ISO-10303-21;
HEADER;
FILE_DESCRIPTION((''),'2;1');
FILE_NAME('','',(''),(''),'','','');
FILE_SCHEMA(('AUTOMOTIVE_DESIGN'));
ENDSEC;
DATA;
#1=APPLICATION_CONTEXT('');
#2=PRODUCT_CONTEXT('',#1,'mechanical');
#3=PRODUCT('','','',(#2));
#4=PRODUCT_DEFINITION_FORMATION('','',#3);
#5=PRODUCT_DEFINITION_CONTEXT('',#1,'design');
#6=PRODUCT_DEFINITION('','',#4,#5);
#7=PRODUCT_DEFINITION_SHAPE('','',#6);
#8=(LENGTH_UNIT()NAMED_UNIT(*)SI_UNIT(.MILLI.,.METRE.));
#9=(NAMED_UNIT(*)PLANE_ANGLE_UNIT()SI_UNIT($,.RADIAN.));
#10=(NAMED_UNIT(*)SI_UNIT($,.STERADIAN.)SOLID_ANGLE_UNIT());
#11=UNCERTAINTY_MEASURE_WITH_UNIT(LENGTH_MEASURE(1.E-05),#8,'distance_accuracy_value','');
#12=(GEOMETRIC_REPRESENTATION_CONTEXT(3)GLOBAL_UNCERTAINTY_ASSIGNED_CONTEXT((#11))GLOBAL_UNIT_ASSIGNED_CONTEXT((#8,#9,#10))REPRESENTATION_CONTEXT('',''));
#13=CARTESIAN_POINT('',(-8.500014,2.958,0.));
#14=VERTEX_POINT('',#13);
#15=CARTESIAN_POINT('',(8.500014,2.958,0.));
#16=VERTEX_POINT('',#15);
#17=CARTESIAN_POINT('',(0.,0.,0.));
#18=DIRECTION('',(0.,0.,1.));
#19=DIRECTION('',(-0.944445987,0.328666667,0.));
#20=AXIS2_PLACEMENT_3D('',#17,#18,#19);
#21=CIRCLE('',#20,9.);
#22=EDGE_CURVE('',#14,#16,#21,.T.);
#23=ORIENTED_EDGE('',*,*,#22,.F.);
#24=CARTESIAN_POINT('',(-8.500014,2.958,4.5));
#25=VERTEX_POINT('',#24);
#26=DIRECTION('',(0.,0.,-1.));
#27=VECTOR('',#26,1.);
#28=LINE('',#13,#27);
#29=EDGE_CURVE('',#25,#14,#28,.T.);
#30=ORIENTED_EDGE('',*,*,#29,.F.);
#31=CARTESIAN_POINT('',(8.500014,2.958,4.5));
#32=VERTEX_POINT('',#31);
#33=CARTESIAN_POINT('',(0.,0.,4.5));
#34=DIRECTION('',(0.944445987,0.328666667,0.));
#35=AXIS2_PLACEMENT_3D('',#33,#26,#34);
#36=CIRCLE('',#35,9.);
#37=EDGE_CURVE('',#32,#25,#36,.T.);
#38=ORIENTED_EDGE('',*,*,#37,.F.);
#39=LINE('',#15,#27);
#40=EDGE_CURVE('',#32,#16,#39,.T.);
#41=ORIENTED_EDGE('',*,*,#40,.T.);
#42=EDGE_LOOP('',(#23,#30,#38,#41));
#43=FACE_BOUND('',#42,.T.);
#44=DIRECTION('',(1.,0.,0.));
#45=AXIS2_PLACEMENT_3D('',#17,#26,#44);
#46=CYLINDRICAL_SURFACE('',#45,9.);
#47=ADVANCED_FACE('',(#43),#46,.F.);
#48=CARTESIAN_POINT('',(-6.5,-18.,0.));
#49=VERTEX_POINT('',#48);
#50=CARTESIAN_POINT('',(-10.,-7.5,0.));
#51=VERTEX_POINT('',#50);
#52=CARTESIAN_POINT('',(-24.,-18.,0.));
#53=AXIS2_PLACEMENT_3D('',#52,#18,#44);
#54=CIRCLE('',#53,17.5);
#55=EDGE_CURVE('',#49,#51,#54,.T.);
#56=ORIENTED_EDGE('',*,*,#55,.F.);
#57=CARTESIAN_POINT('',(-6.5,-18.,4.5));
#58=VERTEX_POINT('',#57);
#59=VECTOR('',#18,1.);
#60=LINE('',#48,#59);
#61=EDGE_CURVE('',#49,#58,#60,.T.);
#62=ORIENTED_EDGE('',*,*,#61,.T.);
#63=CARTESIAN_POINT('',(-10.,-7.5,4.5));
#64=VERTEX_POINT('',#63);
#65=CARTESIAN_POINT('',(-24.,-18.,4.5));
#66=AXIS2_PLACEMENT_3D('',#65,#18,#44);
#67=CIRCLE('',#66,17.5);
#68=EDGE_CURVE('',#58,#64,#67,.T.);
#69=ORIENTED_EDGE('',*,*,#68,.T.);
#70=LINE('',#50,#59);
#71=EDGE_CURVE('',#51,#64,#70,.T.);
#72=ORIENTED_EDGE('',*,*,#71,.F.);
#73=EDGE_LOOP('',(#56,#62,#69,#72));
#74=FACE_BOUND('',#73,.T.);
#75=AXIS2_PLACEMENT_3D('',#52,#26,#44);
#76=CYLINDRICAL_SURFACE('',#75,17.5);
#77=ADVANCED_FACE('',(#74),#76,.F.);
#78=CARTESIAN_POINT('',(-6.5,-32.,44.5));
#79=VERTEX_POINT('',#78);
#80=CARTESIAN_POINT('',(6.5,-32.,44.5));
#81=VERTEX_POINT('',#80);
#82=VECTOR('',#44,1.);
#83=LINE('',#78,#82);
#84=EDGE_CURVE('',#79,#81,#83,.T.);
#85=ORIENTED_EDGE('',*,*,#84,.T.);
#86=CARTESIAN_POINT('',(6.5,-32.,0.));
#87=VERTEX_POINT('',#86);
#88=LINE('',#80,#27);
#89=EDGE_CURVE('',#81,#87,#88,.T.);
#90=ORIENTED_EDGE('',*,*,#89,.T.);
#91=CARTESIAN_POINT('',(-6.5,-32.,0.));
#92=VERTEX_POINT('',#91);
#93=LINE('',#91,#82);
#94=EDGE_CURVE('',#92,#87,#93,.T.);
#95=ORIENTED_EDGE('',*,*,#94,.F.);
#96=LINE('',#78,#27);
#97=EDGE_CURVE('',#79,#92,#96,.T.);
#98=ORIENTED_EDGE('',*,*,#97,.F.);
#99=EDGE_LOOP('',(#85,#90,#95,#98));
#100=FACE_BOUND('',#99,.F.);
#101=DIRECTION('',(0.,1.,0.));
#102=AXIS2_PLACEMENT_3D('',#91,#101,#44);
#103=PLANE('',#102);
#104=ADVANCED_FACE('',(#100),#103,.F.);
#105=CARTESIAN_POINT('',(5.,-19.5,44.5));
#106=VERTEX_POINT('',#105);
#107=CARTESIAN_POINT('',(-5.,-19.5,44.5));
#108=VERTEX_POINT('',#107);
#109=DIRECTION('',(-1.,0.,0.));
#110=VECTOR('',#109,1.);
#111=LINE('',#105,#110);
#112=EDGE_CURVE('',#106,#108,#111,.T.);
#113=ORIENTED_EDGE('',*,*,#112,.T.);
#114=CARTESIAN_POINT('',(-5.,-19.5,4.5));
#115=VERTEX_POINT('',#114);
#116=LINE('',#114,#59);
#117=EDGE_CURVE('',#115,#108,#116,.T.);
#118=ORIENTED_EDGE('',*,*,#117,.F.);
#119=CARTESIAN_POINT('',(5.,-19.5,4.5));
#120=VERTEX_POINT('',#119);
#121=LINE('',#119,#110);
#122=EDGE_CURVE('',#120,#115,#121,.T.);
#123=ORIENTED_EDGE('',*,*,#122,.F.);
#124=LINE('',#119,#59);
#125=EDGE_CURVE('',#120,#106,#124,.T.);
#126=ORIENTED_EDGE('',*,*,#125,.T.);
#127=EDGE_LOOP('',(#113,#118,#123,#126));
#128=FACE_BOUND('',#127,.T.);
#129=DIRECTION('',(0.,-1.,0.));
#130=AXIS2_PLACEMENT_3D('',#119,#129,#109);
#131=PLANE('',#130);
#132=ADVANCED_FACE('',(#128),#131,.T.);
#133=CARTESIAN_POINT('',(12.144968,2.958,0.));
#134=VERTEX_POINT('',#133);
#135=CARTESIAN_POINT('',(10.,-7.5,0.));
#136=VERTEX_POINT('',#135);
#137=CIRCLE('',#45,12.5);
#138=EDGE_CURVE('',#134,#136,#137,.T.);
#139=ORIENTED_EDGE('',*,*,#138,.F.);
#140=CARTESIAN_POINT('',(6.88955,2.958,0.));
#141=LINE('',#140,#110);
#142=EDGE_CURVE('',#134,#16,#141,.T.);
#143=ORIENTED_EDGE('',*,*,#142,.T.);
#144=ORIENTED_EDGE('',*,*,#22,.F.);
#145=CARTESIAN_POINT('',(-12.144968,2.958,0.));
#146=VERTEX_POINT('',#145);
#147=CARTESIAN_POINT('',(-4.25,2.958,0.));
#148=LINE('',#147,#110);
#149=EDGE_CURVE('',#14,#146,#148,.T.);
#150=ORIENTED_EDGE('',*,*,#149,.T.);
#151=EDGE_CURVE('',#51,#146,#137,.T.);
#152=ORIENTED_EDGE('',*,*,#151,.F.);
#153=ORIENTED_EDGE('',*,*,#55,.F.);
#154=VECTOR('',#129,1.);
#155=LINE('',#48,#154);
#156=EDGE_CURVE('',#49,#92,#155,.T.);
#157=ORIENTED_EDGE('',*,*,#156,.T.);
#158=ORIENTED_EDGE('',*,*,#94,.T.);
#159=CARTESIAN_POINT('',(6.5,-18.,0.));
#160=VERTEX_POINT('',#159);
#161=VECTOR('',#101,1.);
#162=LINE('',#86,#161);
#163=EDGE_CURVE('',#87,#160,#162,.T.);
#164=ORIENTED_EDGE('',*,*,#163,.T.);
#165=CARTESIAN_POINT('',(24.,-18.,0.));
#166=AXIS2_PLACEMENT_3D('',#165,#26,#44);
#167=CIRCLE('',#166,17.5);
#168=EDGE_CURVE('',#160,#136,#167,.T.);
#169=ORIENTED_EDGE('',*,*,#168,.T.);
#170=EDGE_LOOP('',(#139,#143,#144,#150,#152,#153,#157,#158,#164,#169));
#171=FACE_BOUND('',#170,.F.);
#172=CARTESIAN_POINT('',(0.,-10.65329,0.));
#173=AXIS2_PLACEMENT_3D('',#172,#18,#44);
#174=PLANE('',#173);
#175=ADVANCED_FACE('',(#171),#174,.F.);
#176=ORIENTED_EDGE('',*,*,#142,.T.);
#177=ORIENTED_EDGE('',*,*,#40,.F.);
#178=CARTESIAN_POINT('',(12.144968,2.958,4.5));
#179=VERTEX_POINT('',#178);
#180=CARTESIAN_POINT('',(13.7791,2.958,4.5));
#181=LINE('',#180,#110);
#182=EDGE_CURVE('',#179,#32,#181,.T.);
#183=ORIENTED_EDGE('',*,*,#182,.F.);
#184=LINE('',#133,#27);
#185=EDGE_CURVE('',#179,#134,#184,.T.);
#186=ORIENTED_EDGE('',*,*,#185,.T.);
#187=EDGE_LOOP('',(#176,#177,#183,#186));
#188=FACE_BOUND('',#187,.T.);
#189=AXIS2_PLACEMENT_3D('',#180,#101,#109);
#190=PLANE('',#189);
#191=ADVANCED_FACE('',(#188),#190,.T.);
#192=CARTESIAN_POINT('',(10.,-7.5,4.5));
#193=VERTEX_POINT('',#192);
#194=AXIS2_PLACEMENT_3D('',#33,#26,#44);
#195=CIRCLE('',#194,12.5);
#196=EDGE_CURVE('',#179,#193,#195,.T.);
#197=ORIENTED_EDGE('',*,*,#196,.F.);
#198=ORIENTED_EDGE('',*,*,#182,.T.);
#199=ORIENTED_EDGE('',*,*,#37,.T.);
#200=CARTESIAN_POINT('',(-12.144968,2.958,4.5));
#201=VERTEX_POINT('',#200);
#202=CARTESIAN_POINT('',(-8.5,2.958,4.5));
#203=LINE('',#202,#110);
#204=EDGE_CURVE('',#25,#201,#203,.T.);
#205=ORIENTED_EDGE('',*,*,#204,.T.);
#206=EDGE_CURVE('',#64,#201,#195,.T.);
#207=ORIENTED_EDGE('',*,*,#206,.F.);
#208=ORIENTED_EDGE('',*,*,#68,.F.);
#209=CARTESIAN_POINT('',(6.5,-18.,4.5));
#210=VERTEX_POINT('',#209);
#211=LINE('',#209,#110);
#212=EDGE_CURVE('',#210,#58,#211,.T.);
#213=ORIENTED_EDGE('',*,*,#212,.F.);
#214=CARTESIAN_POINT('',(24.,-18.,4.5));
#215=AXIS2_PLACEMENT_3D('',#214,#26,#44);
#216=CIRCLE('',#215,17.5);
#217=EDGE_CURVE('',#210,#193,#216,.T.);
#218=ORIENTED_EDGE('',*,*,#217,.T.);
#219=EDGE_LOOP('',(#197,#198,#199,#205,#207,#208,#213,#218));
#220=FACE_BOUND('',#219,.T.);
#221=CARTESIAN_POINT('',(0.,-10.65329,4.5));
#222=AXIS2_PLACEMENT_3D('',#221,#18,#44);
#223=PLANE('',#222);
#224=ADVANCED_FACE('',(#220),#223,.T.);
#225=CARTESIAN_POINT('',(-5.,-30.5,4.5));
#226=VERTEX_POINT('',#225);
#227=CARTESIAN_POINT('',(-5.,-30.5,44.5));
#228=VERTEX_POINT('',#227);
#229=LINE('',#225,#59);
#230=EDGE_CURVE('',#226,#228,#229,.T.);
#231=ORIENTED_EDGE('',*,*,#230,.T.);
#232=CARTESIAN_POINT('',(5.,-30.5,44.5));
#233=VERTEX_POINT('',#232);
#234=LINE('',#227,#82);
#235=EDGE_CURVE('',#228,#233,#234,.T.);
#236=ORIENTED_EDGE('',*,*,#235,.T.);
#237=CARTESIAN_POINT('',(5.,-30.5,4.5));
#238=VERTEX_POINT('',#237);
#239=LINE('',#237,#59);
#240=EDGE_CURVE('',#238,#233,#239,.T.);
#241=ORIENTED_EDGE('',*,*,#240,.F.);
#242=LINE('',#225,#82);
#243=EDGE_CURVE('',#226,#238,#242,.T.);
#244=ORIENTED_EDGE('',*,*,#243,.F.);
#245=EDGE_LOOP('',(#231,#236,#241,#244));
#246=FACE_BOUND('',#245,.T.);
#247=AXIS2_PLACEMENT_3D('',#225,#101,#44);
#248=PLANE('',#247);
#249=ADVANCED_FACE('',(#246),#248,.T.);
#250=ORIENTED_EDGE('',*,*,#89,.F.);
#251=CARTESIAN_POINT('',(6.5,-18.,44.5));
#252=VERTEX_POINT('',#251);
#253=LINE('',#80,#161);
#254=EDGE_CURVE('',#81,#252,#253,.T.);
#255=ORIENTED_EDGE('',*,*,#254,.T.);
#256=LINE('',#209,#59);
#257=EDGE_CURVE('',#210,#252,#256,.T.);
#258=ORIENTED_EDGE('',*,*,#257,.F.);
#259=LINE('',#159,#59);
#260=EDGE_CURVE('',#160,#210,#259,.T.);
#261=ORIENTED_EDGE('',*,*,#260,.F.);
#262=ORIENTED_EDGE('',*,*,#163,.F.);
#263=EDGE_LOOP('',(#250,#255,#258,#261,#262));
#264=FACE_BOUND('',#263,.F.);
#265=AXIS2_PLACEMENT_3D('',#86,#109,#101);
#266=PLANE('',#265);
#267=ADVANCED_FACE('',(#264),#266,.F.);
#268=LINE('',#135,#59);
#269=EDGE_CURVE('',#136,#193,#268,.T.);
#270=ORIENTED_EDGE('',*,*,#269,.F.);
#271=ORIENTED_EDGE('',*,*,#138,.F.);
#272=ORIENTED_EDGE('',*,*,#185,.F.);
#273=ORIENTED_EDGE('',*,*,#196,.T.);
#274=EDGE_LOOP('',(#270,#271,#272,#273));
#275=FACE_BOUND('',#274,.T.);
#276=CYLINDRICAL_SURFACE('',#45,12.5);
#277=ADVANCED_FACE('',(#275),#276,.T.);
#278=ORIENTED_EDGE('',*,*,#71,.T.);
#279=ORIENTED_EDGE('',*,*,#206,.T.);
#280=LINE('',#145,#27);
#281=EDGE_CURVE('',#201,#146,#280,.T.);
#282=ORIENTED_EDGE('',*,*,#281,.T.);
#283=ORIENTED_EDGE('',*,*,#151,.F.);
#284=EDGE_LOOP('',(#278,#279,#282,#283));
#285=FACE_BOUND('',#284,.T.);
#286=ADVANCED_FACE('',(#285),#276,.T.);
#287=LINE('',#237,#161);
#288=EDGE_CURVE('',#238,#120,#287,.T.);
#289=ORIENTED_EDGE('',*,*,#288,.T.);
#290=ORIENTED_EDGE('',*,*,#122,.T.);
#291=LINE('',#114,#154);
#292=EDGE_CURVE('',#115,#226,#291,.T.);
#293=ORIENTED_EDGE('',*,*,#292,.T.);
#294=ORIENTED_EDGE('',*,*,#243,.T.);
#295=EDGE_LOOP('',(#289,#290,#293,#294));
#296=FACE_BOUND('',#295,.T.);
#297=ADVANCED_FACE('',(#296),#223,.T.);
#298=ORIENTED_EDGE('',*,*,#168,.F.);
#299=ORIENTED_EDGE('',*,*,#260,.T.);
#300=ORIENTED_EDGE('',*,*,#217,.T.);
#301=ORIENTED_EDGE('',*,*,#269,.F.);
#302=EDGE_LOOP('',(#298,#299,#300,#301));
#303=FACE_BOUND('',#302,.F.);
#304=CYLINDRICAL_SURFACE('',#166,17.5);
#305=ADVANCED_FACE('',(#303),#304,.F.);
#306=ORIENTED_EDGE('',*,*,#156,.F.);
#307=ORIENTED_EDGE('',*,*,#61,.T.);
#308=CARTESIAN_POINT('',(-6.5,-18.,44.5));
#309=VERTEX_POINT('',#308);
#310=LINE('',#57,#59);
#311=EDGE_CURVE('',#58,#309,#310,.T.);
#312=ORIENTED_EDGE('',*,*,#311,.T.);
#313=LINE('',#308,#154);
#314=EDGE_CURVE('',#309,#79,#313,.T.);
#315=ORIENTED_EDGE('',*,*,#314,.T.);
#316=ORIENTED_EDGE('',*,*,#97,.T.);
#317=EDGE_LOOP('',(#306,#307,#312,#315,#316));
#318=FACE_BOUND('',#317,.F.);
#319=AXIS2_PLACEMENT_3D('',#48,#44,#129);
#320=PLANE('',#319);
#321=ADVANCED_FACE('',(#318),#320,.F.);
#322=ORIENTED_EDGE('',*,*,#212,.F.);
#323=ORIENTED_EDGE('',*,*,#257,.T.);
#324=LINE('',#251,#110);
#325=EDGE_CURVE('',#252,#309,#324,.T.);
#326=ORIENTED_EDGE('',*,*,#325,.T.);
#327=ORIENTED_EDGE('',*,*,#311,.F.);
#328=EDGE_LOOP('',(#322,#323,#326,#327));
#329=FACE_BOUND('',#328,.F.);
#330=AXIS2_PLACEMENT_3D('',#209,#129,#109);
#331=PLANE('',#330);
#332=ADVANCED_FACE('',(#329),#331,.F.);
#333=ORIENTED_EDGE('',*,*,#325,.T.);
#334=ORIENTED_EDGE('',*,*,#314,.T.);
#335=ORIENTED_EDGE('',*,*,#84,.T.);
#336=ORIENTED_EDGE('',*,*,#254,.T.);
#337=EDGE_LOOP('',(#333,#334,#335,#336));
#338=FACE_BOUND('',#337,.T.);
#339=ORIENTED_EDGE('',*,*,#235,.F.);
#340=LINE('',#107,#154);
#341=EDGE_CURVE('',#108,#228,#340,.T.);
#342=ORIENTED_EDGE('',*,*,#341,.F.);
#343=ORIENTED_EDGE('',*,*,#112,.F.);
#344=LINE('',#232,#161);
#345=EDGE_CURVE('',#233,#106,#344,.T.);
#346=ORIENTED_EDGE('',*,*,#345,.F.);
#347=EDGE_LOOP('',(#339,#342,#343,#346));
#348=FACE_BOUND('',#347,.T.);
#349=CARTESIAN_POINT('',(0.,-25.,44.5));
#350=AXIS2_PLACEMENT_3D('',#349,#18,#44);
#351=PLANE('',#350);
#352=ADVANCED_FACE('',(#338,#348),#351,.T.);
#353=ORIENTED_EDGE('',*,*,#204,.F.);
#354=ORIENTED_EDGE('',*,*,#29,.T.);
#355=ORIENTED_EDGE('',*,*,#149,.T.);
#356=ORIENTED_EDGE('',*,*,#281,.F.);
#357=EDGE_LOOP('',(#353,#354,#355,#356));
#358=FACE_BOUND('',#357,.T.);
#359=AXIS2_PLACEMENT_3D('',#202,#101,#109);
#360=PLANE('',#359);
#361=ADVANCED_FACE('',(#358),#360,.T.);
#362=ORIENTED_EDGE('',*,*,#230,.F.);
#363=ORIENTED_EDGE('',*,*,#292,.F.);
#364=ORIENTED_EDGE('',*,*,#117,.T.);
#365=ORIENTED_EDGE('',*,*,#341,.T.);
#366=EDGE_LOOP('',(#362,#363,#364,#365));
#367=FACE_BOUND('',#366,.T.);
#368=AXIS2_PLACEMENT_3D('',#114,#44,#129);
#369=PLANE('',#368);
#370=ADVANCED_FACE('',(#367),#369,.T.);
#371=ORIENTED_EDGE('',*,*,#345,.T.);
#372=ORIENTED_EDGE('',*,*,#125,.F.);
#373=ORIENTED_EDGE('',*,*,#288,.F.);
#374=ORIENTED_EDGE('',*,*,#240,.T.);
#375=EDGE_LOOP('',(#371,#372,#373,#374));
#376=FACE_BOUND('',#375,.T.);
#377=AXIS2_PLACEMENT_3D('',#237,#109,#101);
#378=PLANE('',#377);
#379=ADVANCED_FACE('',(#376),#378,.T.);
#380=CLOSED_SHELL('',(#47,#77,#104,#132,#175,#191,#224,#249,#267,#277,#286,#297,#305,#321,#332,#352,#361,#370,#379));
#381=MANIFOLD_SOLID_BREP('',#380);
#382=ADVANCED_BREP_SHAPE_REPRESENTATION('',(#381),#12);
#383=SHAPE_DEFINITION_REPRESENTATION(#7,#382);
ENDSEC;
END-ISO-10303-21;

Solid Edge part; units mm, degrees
sketch "Sketch1" plane through (0, 0, 0) normal (0, 0, 1) x (1, 0, 0)
  line L0 (6.5, -32) -> (6.5, -18)
  arc A0 (6.5, -18) -> (10, -7.5) centre (24, -18) cw
  arc A1 (-6.5, -18) -> (-10, -7.5) centre (-24, -18) ccw
  line L1 (-6.5, -18) -> (-6.5, -32)
  line L2 (-6.5, -32) -> (6.5, -32)
  arc A2 (-10, -7.5) -> (10, -7.5) centre (0, 0) cw
  circle A3 centre (0, 0) radius 9
extrude "Protrusion1" add sketch "Sketch1" along normal blind 4.5
sketch "Sketch2" plane through (0, -9.75, 4.5) normal (0, 0, 1) x (1, 0, 0)
  line L0 (5, -20.75) -> (5, -9.75)
  line L1 (5, -9.75) -> (-5, -9.75)
  line L2 (-5, -9.75) -> (-5, -20.75)
  line L3 (-5, -20.75) -> (5, -20.75)
  line L4 (6.5, -22.25) -> (6.5, -8.25)
  line L5 (6.5, -8.25) -> (-6.5, -8.25)
  line L6 (-6.5, -8.25) -> (-6.5, -22.25)
  line L7 (-6.5, -22.25) -> (6.5, -22.25)
extrude "ExtrudedProtrusion_2" add sketch "Sketch2" along normal blind 40
extrude "Cutout1" [suppressed]
sketch "Sketch3" plane through (0, -2.75, 4.5) normal (0, 0, 1) x (1, 0, 0)
  line L0 (-14.9811, 5.708) -> (-5.4512, 20.4845)
  line L1 (-5.4512, 20.4845) -> (11.5832, 18.4165)
  line L2 (11.5832, 18.4165) -> (13.7791, 5.708)
  line L3 (13.7791, 5.708) -> (8.5, 5.708)
  line L4 (-8.5, 5.708) -> (8.5, 5.708)
  line L5 (-8.5, 5.708) -> (-14.9811, 5.708)
extrude "Cutout2" cut sketch "Sketch3" against normal through all
